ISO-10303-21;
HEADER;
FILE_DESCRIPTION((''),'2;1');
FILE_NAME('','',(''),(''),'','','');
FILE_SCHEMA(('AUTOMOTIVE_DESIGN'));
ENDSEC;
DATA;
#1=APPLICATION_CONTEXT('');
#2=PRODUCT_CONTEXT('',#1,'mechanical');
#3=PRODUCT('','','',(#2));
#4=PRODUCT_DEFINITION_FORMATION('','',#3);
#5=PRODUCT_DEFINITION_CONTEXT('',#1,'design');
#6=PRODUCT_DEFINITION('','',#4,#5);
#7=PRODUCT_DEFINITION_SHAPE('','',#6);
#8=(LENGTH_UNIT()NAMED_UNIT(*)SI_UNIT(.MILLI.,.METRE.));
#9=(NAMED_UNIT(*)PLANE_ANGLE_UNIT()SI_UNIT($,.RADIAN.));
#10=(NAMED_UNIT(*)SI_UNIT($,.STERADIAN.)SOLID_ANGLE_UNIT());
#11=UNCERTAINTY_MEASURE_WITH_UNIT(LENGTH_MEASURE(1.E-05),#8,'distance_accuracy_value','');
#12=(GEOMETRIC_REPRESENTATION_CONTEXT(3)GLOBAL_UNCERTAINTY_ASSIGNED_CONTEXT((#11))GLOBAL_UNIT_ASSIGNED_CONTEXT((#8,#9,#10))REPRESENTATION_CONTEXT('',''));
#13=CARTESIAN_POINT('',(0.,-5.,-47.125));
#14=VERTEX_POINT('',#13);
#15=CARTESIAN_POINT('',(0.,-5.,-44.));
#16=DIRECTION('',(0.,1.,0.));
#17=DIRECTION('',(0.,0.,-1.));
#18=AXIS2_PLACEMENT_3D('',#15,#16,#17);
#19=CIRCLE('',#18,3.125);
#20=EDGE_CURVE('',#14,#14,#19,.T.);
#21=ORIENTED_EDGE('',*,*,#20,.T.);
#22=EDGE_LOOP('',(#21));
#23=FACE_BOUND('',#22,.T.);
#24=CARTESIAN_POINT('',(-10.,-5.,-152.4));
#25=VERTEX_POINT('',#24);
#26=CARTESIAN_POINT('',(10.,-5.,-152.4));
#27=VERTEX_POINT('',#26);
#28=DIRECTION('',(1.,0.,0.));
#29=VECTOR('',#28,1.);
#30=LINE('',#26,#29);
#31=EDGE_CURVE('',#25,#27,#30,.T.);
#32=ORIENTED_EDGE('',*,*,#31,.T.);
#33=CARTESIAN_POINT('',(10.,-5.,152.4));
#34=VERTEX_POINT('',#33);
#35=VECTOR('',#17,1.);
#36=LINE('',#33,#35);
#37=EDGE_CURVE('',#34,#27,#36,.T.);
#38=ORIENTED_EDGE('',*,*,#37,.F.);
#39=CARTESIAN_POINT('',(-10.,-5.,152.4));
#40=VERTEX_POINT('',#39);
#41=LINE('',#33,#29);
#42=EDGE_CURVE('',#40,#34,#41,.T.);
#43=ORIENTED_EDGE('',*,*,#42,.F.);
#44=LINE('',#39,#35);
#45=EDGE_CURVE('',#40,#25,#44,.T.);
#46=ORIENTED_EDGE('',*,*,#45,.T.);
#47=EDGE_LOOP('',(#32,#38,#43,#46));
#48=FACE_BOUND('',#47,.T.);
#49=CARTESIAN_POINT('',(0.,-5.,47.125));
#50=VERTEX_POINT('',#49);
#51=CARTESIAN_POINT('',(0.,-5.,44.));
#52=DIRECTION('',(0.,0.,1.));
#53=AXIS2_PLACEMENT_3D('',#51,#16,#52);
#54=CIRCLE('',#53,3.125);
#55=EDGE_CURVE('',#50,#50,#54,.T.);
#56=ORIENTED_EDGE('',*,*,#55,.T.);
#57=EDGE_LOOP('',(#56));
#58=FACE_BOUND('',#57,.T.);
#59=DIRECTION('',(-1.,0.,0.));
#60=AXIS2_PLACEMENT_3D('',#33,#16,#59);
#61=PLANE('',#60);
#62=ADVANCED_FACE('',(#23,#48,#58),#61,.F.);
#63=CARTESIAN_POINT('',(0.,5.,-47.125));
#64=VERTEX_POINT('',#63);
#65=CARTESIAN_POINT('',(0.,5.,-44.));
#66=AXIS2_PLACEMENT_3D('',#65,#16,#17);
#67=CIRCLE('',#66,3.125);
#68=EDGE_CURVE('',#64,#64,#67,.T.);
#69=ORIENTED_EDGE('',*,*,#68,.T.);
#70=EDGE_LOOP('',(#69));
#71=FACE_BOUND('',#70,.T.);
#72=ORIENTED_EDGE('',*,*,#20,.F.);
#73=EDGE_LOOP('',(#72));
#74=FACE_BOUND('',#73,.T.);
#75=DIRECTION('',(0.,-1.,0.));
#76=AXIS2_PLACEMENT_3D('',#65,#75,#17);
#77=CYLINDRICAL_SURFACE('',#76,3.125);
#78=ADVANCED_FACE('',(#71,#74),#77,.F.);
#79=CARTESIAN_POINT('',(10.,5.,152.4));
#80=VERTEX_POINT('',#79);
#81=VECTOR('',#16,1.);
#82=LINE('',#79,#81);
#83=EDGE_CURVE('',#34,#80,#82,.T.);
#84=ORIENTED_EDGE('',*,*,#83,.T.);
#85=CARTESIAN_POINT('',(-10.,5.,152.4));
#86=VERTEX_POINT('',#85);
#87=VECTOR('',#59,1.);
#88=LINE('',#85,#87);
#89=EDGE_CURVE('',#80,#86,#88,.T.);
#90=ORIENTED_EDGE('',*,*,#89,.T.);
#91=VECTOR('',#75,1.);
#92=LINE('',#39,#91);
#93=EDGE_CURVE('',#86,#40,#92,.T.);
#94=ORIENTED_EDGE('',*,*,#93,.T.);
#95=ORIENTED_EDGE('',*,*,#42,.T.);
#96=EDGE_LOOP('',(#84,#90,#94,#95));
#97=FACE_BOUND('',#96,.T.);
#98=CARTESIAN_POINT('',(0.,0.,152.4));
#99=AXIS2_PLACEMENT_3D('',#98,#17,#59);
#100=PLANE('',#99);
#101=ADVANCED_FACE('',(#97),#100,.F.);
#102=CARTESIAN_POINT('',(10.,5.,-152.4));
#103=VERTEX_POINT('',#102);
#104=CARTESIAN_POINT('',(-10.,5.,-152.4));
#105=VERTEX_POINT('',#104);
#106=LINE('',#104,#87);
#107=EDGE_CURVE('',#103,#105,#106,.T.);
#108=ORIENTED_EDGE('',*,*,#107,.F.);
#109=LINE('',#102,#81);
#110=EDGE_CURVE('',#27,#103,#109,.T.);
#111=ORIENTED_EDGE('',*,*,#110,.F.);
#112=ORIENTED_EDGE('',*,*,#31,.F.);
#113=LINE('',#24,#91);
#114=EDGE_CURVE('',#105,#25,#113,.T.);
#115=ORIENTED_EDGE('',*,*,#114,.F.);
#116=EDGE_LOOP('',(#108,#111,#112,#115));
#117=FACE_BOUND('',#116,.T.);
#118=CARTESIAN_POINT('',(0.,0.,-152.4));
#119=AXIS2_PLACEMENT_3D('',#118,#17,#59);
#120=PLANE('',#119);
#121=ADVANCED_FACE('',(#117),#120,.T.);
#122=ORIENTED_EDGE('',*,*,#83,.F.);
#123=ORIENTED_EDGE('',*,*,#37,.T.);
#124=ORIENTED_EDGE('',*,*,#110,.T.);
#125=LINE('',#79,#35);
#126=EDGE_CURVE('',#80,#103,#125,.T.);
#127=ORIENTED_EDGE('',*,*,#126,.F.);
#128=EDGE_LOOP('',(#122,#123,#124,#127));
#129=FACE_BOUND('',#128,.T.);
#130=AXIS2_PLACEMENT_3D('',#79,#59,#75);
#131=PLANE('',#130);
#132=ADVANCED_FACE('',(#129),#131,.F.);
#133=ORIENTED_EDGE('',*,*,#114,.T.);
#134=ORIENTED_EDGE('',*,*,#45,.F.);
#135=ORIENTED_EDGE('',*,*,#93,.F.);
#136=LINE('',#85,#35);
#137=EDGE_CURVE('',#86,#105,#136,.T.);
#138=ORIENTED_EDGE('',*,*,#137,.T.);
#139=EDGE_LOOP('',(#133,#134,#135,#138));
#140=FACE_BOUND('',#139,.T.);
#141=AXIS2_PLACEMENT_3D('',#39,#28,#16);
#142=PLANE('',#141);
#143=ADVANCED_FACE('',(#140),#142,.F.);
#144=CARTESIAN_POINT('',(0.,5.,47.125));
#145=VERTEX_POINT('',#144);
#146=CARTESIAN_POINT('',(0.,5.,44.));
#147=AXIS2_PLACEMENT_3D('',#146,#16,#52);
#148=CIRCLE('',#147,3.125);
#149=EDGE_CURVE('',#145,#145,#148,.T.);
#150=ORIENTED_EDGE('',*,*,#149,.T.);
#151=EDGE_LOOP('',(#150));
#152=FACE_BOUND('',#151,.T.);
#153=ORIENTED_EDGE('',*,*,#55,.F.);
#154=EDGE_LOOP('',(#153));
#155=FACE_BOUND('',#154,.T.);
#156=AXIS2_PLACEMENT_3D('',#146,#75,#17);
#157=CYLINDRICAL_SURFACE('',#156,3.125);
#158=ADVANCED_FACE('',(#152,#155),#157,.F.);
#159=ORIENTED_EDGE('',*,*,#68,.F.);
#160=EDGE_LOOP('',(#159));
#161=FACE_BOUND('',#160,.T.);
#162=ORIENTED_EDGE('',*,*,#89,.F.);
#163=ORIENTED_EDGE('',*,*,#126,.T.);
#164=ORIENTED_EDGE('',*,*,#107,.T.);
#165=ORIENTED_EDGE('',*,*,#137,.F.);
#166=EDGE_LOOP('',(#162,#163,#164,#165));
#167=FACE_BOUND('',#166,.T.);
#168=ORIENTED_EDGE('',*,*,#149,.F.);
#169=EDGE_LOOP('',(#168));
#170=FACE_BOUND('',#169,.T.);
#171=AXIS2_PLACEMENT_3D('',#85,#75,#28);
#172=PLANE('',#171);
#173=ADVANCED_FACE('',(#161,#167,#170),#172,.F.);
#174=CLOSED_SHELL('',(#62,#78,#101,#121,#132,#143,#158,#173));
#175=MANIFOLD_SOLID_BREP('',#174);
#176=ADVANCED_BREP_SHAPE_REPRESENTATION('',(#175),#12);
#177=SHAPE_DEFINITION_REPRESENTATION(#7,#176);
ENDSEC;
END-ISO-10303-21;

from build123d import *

# Parameters (mm, degrees)
SKETCH3_W           = 20
SKETCH3_H           = 10
BOSS_EXTRUDE1_DEPTH = 152.4
SKETCH4_R           = 3.125
CUT_EXTRUDE1_DEPTH  = 5


with BuildPart() as part:
    # Sketch3 → Boss-Extrude1 (new, symmetric)
    with BuildSketch(Plane.XY):
        Rectangle(SKETCH3_W, SKETCH3_H)
    extrude(amount=BOSS_EXTRUDE1_DEPTH, both=True)

    # Sketch4 → Cut-Extrude1 (cut, symmetric)
    with BuildSketch(Plane(origin=(0, 0, 0), x_dir=(1, 0, 0), z_dir=(0, 1, 0))):
        with Locations(Location((0, -44, 0), (0, 0, 270))):
            Circle(SKETCH4_R)
        with Locations(Location((0, 44, 0), (0, 0, 90))):
            Circle(SKETCH4_R)
    extrude(amount=CUT_EXTRUDE1_DEPTH, both=True, mode=Mode.SUBTRACT)


solid = part.part
